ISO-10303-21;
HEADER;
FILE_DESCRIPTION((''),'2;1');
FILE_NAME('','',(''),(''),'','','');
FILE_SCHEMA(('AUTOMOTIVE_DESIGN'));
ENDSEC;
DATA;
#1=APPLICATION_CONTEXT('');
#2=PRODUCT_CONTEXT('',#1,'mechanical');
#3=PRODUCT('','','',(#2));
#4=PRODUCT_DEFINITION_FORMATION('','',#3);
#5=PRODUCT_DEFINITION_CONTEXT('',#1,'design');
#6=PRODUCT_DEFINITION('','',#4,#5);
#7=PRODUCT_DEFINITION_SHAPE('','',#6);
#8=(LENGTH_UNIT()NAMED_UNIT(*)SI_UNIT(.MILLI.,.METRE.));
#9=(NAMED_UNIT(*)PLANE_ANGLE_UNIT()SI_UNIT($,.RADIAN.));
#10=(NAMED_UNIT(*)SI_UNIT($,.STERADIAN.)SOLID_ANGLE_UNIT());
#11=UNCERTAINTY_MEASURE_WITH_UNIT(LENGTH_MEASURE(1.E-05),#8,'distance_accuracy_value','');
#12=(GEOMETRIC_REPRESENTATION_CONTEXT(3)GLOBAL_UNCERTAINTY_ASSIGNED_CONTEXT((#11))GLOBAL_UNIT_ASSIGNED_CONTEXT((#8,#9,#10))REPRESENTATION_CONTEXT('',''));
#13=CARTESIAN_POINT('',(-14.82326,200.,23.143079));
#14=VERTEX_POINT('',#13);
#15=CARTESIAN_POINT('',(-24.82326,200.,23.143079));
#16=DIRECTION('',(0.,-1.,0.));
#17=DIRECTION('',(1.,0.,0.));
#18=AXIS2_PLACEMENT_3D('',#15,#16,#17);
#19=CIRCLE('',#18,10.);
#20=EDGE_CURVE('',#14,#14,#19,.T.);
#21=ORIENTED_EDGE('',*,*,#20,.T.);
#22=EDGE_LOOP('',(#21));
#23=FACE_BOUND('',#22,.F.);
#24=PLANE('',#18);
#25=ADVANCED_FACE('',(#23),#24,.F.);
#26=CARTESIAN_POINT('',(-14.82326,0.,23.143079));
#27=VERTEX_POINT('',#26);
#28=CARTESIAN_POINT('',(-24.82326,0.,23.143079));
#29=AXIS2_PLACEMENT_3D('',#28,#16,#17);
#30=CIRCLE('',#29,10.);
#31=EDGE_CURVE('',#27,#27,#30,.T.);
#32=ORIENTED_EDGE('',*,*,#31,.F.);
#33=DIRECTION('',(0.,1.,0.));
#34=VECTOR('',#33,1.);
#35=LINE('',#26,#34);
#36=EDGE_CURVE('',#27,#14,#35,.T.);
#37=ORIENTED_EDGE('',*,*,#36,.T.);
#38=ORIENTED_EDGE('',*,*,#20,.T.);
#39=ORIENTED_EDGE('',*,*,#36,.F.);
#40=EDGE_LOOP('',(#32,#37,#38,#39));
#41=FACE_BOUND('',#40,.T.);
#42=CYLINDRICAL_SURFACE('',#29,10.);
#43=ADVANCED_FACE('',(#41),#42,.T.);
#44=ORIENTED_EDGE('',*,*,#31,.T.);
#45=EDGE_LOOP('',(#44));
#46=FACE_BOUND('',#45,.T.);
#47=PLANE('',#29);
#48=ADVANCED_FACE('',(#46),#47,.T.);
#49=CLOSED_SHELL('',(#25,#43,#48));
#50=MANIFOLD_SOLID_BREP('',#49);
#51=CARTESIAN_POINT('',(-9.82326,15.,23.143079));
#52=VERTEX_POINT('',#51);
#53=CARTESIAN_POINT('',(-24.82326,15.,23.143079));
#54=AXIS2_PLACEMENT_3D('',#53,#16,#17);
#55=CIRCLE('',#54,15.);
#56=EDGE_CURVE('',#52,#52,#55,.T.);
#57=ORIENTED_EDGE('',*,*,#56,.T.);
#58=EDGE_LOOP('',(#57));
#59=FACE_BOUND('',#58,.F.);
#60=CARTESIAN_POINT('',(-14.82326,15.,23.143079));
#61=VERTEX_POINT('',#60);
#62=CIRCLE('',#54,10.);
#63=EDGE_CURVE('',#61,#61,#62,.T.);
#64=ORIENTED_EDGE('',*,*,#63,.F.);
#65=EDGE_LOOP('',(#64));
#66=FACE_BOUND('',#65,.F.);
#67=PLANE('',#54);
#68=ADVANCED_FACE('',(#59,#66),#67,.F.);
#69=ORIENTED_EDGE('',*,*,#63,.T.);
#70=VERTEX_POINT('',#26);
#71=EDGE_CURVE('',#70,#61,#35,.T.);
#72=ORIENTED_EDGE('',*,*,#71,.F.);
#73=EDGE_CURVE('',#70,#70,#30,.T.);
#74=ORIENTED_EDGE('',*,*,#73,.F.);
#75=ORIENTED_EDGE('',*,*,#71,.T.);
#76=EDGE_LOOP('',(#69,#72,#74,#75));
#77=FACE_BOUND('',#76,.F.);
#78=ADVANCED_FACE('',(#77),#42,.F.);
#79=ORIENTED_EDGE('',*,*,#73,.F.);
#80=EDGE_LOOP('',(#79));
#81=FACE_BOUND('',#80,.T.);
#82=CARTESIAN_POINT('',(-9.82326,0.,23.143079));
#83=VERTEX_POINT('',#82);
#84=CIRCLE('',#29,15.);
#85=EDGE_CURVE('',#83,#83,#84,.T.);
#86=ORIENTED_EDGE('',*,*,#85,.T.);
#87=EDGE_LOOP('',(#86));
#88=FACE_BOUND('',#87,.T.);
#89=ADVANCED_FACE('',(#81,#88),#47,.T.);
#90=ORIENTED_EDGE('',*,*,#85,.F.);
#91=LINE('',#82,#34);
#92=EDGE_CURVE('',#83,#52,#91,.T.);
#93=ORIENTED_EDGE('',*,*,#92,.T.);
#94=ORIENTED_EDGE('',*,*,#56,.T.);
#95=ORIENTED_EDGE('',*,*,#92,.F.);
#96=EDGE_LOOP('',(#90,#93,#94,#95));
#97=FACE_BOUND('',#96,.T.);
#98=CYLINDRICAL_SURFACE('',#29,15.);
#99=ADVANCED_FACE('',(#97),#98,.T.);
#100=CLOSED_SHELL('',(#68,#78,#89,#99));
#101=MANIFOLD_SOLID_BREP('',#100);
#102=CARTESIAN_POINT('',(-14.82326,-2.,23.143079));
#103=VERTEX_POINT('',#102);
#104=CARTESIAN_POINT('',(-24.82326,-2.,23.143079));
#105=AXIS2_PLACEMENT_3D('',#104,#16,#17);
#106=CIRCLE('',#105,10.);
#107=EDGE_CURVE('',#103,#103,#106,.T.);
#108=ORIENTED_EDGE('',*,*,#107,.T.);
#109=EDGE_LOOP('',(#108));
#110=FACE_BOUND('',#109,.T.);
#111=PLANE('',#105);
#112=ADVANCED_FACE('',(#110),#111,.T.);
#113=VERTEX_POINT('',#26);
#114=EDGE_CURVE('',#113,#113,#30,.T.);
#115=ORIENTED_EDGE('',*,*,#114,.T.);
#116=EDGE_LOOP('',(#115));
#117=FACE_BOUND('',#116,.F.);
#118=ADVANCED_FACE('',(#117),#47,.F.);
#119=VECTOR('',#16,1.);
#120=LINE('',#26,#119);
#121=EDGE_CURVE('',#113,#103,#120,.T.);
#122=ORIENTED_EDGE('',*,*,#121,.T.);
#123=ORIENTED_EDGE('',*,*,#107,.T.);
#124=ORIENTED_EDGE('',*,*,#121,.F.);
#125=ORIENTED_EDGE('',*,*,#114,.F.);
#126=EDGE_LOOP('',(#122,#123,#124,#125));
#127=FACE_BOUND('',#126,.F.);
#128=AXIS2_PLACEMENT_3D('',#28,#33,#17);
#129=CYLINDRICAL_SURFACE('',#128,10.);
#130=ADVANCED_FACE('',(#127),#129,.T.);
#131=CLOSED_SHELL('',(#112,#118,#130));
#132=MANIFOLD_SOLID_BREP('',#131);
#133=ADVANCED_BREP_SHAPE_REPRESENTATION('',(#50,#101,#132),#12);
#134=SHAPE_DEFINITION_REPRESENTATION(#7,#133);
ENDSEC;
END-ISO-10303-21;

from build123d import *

# Parameters (mm, degrees)
F0_R     = 10
F1_DEPTH = 2
F0_R_2   = 15
F2_DEPTH = 15
F3_DEPTH = 200


with BuildPart() as f1:
    # F0 (on Front) → F1 (new body)
    with BuildSketch(Plane.XZ):
        with Locations((-24.82326, 23.143079)):
            Circle(F0_R)
    extrude(amount=F1_DEPTH)


with BuildPart() as f2:
    # F0 (on Front) → F2 (new body)
    with BuildSketch(Plane.XZ):
        with Locations((-24.82326, 23.143079)):
            Circle(F0_R_2)
        with Locations((-24.82326, 23.143079)):
            Circle(F0_R, mode=Mode.SUBTRACT)
    extrude(amount=-F2_DEPTH)


with BuildPart() as f3:
    # F0 (on Front) → F3 (new body)
    with BuildSketch(Plane.XZ):
        with Locations((-24.82326, 23.143079)):
            Circle(F0_R)
    extrude(amount=-F3_DEPTH)


solid = Compound([f1.part, f2.part, f3.part])
